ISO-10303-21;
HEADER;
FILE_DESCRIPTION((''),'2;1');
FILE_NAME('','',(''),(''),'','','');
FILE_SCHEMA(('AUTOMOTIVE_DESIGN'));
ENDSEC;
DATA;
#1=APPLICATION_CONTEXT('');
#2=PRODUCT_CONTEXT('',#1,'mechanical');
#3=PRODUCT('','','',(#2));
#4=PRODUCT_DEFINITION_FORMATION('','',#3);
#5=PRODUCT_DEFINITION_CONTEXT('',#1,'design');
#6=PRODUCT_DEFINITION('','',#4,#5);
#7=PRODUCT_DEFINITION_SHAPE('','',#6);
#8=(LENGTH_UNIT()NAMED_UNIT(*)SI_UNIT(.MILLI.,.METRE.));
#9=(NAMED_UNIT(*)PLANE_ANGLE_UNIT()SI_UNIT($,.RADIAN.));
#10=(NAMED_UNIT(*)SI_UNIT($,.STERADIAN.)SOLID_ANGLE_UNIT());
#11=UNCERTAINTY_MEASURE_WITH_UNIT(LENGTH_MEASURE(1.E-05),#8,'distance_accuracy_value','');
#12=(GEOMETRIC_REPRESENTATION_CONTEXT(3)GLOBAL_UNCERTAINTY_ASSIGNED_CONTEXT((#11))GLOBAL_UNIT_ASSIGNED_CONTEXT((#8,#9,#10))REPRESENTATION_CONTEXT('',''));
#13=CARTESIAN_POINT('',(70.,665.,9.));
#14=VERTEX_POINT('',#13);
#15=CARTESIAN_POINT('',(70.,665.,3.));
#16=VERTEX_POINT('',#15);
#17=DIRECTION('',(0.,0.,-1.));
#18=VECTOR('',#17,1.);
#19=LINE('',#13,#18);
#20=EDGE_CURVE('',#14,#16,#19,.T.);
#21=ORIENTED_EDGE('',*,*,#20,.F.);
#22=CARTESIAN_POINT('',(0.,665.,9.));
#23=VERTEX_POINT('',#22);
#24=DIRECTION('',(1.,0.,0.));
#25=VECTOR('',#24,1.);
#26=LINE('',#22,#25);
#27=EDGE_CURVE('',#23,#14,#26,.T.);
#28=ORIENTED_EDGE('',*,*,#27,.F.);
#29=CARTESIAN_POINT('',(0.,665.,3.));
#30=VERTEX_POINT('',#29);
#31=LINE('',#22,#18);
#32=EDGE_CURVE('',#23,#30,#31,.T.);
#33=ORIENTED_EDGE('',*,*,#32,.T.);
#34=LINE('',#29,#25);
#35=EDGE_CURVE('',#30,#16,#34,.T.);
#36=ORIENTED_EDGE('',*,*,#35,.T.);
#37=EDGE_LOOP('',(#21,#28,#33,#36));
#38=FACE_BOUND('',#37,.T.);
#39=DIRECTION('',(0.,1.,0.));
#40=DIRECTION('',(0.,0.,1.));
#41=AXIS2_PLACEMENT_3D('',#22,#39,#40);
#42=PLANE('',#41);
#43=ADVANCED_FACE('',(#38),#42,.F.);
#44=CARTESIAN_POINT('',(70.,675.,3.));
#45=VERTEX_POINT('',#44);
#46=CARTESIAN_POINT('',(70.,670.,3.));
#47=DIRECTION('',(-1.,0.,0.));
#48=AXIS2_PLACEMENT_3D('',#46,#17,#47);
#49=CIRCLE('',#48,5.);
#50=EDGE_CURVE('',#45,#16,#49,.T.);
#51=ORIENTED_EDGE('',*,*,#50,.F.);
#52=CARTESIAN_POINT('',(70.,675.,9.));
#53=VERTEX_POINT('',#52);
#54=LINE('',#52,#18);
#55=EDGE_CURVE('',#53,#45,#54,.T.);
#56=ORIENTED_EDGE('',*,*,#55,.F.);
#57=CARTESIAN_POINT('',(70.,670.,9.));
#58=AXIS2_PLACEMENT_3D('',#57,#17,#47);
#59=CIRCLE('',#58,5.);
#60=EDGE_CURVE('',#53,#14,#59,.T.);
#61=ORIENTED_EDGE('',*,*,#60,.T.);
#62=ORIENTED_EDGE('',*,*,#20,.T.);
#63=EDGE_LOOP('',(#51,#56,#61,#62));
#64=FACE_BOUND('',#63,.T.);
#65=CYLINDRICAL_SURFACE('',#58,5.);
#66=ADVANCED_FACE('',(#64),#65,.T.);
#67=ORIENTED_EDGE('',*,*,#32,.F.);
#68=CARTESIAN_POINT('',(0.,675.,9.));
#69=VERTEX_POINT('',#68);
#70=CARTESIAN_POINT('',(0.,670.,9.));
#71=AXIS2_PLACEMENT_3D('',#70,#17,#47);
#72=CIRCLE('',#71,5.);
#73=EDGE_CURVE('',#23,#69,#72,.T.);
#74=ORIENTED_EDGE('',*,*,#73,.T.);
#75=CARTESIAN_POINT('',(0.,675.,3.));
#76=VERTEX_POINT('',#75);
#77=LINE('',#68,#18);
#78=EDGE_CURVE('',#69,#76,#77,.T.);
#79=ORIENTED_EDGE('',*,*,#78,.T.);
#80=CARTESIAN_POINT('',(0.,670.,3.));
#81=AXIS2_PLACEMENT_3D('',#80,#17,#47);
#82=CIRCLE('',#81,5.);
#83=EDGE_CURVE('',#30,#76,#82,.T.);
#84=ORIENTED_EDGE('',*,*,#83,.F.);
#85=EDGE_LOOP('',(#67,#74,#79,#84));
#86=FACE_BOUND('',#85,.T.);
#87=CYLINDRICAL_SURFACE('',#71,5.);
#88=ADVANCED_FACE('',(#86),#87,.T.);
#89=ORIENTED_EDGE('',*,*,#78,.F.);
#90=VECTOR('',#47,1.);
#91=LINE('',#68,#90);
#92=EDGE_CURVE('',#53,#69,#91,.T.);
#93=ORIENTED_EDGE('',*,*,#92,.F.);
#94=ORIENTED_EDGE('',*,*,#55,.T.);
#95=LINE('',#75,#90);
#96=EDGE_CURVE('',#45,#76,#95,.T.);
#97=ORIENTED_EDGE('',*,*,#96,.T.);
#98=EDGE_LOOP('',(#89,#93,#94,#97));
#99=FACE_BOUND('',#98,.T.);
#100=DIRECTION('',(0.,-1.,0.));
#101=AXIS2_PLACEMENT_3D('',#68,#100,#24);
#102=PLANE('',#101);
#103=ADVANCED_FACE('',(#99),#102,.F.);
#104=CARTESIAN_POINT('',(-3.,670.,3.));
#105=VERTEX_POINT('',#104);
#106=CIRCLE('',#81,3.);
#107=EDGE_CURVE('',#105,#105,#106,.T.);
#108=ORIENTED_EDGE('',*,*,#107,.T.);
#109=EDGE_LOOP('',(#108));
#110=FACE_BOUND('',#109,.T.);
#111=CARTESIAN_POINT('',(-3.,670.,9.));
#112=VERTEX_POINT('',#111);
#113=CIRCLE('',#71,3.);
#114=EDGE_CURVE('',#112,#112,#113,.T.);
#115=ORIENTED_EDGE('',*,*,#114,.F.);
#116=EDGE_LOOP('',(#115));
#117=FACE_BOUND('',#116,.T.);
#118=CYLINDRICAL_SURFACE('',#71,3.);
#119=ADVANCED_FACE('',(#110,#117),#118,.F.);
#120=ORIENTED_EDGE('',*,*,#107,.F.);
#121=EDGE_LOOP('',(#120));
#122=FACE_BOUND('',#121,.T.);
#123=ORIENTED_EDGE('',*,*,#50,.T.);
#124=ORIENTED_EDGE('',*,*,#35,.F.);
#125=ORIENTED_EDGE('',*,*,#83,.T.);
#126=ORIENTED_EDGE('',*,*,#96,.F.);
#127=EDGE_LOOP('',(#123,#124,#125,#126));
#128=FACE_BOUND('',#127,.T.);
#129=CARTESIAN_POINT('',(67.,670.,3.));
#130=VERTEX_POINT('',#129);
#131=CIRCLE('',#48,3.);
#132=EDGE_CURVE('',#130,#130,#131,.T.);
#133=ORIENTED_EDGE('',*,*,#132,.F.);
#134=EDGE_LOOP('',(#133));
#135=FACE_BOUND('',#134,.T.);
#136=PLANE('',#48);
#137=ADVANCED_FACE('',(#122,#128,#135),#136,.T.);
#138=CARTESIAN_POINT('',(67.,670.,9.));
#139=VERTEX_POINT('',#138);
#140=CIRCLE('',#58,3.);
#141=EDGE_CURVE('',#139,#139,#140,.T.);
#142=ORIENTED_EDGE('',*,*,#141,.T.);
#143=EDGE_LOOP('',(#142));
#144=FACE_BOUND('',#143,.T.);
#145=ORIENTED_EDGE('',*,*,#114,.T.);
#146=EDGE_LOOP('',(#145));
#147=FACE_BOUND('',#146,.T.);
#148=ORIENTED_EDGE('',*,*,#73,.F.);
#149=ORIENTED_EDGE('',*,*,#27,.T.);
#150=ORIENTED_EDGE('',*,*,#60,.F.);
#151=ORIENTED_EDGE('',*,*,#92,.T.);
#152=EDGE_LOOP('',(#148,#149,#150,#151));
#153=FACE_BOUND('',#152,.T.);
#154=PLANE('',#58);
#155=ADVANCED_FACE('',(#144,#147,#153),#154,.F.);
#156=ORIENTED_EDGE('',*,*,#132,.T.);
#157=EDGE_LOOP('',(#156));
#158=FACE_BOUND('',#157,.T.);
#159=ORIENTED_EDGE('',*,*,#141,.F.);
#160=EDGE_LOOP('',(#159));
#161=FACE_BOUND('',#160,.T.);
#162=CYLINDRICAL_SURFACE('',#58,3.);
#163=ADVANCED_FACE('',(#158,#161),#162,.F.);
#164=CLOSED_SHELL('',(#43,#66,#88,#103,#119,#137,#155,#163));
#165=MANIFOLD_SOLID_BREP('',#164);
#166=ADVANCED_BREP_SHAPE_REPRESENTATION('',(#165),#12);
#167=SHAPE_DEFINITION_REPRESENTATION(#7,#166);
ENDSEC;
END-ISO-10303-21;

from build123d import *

# Parameters (mm, degrees)
AUFSATZ_LINEAR_START            = 3
SKIZZE2_R                       = 3
AUFSATZ_LINEAR_AUSTRAGEN1_DEPTH = 6


with BuildPart() as part:
    # Skizze2 → Aufsatz-Linear austragen1 (new body)
    with BuildSketch(Plane.XY.offset(AUFSATZ_LINEAR_START)):
        with BuildLine():
            Line((0, 675), (70, 675))
            ThreePointArc((70, 675), (75, 670), (70, 665))
            Line((70, 665), (0, 665))
            ThreePointArc((0, 665), (-5, 670), (0, 675))
        make_face()
        with Locations((0, 670)):
            Circle(SKIZZE2_R, mode=Mode.SUBTRACT)
        with Locations((70, 670)):
            Circle(SKIZZE2_R, mode=Mode.SUBTRACT)
    extrude(amount=AUFSATZ_LINEAR_AUSTRAGEN1_DEPTH)


solid = part.part
